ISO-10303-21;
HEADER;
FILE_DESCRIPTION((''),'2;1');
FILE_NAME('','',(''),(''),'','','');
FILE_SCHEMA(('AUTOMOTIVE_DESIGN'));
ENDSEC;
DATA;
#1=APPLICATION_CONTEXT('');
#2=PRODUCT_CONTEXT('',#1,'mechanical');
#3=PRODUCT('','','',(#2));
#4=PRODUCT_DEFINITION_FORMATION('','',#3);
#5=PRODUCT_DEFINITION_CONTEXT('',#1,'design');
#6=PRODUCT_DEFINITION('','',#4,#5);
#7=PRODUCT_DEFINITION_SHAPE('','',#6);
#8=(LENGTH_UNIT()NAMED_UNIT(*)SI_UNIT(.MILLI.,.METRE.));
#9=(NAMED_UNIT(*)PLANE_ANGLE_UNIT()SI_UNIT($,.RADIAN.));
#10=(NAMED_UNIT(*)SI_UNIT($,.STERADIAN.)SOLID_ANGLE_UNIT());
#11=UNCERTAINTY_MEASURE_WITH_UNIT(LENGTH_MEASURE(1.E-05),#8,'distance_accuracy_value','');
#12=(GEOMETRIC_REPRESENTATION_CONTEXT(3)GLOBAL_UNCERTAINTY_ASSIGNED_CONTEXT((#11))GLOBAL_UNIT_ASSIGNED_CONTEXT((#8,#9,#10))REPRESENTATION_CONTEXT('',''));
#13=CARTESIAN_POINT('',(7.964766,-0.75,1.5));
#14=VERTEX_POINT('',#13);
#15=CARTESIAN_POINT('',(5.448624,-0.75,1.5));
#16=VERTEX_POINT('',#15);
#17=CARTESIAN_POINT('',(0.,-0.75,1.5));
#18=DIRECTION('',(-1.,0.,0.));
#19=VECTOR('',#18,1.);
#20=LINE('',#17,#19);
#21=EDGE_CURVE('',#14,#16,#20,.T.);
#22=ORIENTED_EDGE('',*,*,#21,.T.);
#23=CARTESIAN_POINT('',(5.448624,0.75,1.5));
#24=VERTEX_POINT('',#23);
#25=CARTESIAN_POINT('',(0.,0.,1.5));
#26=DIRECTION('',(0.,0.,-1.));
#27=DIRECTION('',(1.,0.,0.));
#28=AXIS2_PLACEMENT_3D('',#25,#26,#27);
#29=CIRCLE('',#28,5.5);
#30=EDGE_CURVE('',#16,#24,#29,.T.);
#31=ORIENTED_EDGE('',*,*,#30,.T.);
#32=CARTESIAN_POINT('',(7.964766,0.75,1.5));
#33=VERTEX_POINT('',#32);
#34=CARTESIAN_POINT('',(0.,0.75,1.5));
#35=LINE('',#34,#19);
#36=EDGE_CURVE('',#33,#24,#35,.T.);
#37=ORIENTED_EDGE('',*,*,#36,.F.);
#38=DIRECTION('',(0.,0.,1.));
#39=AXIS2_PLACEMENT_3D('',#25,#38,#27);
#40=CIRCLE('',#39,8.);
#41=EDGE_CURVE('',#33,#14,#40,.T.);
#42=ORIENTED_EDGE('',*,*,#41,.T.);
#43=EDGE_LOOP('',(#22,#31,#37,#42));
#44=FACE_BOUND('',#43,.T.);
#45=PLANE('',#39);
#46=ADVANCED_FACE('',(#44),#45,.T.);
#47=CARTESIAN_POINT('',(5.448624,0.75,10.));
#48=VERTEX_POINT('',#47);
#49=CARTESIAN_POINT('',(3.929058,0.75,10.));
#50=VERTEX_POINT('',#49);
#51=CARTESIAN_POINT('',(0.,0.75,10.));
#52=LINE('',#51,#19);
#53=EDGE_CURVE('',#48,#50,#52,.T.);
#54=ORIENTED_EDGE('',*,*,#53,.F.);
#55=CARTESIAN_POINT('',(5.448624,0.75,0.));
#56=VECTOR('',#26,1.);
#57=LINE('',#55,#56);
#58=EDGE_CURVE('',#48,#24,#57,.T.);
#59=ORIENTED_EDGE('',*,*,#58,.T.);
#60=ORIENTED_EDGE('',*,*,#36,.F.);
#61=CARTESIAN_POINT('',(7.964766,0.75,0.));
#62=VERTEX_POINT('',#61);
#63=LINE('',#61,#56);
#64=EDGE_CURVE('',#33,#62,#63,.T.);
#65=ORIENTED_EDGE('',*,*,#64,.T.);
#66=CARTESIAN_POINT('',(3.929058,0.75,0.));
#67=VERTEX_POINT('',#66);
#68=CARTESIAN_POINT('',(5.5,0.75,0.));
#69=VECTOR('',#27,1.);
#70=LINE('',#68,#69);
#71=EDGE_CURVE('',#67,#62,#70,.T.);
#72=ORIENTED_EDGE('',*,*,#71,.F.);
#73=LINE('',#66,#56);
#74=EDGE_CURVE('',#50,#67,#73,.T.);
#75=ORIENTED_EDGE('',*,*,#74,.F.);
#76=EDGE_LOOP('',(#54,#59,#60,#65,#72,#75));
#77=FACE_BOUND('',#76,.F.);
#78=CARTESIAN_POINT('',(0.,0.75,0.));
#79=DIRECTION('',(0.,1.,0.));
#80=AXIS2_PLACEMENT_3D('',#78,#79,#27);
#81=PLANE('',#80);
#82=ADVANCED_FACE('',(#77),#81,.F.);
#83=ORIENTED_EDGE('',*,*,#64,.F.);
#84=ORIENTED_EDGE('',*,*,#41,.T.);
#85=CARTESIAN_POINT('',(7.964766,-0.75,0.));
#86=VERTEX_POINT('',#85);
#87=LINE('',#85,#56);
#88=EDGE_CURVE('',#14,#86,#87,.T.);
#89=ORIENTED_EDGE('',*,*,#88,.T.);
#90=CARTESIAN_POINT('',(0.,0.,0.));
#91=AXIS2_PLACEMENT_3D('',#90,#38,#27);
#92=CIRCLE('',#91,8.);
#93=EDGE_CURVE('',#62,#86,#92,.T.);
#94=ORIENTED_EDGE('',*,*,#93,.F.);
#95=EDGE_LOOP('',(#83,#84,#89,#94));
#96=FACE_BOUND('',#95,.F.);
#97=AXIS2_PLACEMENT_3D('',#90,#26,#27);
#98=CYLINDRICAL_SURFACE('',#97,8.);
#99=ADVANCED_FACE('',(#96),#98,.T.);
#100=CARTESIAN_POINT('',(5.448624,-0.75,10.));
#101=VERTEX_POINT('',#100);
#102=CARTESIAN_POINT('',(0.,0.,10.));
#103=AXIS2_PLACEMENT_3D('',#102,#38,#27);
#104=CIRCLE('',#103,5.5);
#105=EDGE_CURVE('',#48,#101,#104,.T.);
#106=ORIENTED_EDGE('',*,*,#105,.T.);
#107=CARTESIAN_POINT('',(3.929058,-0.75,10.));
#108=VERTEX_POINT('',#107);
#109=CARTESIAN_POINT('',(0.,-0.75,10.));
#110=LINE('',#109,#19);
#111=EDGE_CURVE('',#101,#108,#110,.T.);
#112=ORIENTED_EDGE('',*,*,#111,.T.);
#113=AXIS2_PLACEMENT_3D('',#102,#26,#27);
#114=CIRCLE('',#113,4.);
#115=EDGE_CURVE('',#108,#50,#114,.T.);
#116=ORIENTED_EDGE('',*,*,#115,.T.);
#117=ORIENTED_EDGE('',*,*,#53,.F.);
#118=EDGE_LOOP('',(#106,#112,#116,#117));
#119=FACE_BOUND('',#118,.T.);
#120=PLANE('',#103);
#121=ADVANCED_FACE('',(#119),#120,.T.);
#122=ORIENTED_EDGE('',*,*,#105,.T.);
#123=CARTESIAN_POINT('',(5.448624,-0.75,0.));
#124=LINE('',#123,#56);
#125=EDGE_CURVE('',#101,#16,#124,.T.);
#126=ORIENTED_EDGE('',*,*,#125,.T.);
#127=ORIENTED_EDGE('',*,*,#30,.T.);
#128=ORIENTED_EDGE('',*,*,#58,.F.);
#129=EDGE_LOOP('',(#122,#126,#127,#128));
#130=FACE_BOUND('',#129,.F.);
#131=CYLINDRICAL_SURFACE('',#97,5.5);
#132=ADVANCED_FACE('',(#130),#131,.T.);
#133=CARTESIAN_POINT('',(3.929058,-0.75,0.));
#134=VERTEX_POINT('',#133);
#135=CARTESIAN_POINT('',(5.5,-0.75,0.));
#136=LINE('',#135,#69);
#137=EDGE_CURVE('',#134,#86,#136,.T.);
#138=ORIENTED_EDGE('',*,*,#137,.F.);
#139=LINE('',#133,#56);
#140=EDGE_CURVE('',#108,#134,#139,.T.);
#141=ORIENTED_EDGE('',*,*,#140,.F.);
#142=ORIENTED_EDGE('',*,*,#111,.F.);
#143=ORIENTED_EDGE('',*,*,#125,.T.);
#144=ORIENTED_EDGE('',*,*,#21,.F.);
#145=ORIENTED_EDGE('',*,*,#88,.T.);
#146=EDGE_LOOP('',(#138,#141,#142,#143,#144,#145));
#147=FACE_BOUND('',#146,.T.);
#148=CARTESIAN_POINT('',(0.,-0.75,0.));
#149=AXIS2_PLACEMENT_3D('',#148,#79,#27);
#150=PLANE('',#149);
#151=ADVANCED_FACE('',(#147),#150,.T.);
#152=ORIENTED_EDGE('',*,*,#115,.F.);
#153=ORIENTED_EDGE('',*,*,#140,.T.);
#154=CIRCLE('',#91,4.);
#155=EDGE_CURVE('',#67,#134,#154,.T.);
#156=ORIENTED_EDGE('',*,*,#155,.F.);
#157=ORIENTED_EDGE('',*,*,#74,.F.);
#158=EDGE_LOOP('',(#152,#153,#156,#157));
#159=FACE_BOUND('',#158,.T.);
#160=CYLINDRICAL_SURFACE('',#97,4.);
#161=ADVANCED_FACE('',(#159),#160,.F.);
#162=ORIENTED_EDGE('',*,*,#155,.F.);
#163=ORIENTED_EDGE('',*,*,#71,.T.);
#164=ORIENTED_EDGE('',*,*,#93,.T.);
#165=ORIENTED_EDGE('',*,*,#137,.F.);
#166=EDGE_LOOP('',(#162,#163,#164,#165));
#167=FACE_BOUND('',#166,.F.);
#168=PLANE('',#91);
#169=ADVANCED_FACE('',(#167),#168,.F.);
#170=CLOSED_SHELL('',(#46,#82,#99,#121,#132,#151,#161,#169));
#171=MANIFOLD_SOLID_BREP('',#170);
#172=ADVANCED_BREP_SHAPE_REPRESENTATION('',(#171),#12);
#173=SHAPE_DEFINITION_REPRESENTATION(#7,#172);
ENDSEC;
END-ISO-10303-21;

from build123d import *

# Parameters (mm, degrees)
BOX_W             = 11
BOX_H             = 1.5
BOX_DEPTH         = 15
CYLINDER002_R     = 4
CYLINDER002_DEPTH = 15
CYLINDER001_R     = 8
CYLINDER001_DEPTH = 1.5
CYLINDER_R        = 5.5
CYLINDER_DEPTH    = 10


with BuildPart() as cube:
    # Box → Box (new body)
    with BuildSketch(Plane(origin=(0, -0.75, 0), x_dir=(1, 0, 0), z_dir=(0, 0, 1))):
        with Locations((5.5, 0.75)):
            Rectangle(BOX_W, BOX_H)
    extrude(amount=BOX_DEPTH)


with BuildPart() as hole:
    # Cylinder002 → Cylinder002 (new body)
    with BuildSketch(Plane.XY):
        Circle(CYLINDER002_R)
    extrude(amount=CYLINDER002_DEPTH)


with BuildPart() as base:
    # Cylinder001 → Cylinder001 (new body)
    with BuildSketch(Plane.XY):
        Circle(CYLINDER001_R)
    extrude(amount=CYLINDER001_DEPTH)


with BuildPart() as cut001:
    # Cylinder → Cylinder (new body)
    with BuildSketch(Plane.XY):
        Circle(CYLINDER_R)
    extrude(amount=CYLINDER_DEPTH)

    # Fusion: union base
    add(base.part)

    # Cut: cut hole
    add(hole.part, mode=Mode.SUBTRACT)

    # Cut001: cut Cube
    add(cube.part, mode=Mode.SUBTRACT)


solid = cut001.part
